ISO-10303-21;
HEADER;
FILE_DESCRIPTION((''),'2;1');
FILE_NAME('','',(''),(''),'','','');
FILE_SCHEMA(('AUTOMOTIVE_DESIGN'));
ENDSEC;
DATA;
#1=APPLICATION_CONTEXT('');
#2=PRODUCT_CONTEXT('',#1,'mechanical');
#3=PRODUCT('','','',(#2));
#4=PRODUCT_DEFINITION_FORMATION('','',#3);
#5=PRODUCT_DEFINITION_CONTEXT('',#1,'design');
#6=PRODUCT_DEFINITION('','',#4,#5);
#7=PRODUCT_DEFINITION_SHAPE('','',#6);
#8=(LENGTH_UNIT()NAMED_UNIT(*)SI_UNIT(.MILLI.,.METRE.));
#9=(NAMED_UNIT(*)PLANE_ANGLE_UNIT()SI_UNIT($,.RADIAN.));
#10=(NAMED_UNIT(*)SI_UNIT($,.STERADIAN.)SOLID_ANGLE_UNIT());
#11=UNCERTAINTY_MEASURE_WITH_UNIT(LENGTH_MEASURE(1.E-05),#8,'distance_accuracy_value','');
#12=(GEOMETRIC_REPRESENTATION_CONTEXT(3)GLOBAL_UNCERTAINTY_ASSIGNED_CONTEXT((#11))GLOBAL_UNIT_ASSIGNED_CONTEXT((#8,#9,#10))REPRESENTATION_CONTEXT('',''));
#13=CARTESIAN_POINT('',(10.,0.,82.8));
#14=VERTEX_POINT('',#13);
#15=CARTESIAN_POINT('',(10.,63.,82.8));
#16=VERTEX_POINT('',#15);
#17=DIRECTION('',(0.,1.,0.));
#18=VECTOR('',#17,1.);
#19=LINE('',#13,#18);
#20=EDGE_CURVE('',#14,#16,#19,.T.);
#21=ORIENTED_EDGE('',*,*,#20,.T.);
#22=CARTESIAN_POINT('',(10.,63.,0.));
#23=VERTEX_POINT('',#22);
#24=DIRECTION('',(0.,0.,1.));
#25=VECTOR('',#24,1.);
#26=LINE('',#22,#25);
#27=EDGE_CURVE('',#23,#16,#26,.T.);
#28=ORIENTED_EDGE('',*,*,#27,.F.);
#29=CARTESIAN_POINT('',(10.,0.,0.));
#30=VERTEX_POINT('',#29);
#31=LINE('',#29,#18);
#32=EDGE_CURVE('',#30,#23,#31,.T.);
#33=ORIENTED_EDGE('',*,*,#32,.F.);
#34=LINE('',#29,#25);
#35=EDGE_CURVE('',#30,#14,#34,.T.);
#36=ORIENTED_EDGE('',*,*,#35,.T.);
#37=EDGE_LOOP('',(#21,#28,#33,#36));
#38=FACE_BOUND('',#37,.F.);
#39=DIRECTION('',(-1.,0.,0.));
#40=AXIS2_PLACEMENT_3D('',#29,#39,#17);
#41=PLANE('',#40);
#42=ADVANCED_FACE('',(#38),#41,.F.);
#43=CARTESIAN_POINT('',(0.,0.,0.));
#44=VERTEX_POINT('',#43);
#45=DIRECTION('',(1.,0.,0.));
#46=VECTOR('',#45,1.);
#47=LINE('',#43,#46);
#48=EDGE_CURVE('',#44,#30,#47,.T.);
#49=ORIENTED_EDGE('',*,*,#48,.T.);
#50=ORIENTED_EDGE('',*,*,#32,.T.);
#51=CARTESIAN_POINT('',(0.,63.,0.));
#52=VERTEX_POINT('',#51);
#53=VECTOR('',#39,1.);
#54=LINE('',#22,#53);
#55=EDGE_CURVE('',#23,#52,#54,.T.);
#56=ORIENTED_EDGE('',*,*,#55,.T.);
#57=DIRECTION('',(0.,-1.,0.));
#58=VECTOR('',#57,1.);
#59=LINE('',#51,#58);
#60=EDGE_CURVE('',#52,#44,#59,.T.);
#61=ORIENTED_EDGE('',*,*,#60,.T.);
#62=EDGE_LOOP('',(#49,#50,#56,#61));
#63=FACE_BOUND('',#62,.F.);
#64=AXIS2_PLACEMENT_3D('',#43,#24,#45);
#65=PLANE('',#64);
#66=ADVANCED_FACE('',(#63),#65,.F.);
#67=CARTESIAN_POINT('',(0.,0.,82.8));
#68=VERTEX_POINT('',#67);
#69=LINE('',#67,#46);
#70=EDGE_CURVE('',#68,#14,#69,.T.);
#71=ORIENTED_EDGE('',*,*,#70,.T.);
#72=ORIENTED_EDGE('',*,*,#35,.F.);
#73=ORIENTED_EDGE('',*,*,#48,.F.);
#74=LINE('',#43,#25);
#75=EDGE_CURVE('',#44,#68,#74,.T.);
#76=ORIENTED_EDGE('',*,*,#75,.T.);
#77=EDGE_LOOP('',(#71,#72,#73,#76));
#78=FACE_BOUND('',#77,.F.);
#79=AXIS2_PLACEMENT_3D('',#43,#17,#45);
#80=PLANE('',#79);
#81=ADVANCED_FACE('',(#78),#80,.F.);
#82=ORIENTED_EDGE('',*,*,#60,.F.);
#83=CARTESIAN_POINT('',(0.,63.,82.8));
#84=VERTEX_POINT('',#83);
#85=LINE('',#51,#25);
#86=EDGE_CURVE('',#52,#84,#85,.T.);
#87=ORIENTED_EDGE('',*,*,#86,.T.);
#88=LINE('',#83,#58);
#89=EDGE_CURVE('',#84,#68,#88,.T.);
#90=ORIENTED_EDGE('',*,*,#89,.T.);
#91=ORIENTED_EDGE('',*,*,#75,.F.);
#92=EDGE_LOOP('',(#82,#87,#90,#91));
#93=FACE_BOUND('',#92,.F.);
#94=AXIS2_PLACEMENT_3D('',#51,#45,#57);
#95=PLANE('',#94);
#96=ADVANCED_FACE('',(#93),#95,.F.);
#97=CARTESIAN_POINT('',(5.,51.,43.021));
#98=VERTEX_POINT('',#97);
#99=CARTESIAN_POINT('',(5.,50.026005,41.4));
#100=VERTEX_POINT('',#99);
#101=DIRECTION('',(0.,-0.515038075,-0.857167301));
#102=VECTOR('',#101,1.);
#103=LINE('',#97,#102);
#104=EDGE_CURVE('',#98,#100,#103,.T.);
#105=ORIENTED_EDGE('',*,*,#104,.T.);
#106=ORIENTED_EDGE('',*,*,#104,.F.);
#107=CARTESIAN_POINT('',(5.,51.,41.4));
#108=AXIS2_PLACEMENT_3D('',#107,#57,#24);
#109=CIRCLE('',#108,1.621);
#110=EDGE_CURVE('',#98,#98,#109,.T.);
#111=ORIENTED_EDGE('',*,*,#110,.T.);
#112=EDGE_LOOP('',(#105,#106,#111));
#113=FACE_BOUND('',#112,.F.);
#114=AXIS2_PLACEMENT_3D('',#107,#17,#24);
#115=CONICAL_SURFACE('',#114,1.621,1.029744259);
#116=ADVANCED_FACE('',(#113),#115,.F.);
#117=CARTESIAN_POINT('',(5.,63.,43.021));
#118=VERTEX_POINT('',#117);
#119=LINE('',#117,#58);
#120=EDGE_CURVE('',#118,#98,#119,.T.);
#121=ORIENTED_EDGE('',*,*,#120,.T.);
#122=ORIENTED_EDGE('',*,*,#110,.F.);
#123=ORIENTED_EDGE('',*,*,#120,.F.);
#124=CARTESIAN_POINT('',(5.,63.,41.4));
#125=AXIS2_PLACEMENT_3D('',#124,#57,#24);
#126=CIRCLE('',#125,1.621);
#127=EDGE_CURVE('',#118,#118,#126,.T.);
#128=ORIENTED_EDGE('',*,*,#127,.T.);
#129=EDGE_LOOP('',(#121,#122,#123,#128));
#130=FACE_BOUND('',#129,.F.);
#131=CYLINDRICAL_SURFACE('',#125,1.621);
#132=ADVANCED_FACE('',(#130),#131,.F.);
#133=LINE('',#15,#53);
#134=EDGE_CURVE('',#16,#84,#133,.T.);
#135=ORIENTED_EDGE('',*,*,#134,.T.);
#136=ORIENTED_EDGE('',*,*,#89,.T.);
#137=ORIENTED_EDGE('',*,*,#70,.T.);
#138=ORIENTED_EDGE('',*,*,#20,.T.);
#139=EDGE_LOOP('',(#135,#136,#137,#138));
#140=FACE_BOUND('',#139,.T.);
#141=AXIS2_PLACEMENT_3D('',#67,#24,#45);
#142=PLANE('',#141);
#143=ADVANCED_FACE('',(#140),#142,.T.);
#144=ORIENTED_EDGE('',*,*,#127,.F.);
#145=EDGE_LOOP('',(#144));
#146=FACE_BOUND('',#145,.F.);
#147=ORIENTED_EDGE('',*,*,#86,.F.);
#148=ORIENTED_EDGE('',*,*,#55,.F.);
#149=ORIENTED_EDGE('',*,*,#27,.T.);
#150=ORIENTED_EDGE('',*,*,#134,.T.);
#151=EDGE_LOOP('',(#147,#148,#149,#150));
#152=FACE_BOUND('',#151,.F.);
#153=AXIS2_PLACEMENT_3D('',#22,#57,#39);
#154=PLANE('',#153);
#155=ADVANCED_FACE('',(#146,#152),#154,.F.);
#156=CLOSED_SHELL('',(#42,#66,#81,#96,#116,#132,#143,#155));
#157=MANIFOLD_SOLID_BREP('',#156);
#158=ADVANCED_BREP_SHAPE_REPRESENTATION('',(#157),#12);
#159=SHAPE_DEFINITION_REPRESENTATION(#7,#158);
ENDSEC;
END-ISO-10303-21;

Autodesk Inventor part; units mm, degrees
ref_plane "YZ Plane" through (0, 0, 0) normal (1, 0, 0) x (0, 1, 0)
ref_plane "XZ Plane" through (0, 0, 0) normal (0, 1, 0) x (-1, 0, 0)
ref_plane "XY Plane" through (0, 0, 0) normal (0, 0, 1) x (1, 0, 0)
sketch "Sketch1" plane through (0, 0, 0) normal (0, 0, 1) x (1, 0, 0)
  line L0 (0, 0) -> (10, 0)
  line L1 (10, 0) -> (10, 63)
  line L2 (10, 63) -> (0, 63)
  line L3 (0, 63) -> (0, 0)
  dimension "d0" = 10
  dimension "d1" = 63
extrude "Extrusion1" add sketch "Sketch1" along normal blind 82.8
sketch "m" plane through (0, 63, 0) normal (0, 1, 0) x (1, 0, 0)
  line L0 (0, 0) -> (0, -82.8) projected
  line L1 (10, 0) -> (0, 0) projected
  point P0 (5, -41.4)
  dimension "d4" = 5
  dimension "d5" = 41.4
hole "Hole1" at (5, 63, 41.4) direction (0, -1, 0) diameter 3.242 depth 12 tip angle 118 thread size "M4x0.7" class "6H" standard "ISO Metric profile"
equation "\"d5\" = 0.5 * d2"
equation "\"d2\" = 82.8"
properties part number "Paddle" material "Polypropylene"
